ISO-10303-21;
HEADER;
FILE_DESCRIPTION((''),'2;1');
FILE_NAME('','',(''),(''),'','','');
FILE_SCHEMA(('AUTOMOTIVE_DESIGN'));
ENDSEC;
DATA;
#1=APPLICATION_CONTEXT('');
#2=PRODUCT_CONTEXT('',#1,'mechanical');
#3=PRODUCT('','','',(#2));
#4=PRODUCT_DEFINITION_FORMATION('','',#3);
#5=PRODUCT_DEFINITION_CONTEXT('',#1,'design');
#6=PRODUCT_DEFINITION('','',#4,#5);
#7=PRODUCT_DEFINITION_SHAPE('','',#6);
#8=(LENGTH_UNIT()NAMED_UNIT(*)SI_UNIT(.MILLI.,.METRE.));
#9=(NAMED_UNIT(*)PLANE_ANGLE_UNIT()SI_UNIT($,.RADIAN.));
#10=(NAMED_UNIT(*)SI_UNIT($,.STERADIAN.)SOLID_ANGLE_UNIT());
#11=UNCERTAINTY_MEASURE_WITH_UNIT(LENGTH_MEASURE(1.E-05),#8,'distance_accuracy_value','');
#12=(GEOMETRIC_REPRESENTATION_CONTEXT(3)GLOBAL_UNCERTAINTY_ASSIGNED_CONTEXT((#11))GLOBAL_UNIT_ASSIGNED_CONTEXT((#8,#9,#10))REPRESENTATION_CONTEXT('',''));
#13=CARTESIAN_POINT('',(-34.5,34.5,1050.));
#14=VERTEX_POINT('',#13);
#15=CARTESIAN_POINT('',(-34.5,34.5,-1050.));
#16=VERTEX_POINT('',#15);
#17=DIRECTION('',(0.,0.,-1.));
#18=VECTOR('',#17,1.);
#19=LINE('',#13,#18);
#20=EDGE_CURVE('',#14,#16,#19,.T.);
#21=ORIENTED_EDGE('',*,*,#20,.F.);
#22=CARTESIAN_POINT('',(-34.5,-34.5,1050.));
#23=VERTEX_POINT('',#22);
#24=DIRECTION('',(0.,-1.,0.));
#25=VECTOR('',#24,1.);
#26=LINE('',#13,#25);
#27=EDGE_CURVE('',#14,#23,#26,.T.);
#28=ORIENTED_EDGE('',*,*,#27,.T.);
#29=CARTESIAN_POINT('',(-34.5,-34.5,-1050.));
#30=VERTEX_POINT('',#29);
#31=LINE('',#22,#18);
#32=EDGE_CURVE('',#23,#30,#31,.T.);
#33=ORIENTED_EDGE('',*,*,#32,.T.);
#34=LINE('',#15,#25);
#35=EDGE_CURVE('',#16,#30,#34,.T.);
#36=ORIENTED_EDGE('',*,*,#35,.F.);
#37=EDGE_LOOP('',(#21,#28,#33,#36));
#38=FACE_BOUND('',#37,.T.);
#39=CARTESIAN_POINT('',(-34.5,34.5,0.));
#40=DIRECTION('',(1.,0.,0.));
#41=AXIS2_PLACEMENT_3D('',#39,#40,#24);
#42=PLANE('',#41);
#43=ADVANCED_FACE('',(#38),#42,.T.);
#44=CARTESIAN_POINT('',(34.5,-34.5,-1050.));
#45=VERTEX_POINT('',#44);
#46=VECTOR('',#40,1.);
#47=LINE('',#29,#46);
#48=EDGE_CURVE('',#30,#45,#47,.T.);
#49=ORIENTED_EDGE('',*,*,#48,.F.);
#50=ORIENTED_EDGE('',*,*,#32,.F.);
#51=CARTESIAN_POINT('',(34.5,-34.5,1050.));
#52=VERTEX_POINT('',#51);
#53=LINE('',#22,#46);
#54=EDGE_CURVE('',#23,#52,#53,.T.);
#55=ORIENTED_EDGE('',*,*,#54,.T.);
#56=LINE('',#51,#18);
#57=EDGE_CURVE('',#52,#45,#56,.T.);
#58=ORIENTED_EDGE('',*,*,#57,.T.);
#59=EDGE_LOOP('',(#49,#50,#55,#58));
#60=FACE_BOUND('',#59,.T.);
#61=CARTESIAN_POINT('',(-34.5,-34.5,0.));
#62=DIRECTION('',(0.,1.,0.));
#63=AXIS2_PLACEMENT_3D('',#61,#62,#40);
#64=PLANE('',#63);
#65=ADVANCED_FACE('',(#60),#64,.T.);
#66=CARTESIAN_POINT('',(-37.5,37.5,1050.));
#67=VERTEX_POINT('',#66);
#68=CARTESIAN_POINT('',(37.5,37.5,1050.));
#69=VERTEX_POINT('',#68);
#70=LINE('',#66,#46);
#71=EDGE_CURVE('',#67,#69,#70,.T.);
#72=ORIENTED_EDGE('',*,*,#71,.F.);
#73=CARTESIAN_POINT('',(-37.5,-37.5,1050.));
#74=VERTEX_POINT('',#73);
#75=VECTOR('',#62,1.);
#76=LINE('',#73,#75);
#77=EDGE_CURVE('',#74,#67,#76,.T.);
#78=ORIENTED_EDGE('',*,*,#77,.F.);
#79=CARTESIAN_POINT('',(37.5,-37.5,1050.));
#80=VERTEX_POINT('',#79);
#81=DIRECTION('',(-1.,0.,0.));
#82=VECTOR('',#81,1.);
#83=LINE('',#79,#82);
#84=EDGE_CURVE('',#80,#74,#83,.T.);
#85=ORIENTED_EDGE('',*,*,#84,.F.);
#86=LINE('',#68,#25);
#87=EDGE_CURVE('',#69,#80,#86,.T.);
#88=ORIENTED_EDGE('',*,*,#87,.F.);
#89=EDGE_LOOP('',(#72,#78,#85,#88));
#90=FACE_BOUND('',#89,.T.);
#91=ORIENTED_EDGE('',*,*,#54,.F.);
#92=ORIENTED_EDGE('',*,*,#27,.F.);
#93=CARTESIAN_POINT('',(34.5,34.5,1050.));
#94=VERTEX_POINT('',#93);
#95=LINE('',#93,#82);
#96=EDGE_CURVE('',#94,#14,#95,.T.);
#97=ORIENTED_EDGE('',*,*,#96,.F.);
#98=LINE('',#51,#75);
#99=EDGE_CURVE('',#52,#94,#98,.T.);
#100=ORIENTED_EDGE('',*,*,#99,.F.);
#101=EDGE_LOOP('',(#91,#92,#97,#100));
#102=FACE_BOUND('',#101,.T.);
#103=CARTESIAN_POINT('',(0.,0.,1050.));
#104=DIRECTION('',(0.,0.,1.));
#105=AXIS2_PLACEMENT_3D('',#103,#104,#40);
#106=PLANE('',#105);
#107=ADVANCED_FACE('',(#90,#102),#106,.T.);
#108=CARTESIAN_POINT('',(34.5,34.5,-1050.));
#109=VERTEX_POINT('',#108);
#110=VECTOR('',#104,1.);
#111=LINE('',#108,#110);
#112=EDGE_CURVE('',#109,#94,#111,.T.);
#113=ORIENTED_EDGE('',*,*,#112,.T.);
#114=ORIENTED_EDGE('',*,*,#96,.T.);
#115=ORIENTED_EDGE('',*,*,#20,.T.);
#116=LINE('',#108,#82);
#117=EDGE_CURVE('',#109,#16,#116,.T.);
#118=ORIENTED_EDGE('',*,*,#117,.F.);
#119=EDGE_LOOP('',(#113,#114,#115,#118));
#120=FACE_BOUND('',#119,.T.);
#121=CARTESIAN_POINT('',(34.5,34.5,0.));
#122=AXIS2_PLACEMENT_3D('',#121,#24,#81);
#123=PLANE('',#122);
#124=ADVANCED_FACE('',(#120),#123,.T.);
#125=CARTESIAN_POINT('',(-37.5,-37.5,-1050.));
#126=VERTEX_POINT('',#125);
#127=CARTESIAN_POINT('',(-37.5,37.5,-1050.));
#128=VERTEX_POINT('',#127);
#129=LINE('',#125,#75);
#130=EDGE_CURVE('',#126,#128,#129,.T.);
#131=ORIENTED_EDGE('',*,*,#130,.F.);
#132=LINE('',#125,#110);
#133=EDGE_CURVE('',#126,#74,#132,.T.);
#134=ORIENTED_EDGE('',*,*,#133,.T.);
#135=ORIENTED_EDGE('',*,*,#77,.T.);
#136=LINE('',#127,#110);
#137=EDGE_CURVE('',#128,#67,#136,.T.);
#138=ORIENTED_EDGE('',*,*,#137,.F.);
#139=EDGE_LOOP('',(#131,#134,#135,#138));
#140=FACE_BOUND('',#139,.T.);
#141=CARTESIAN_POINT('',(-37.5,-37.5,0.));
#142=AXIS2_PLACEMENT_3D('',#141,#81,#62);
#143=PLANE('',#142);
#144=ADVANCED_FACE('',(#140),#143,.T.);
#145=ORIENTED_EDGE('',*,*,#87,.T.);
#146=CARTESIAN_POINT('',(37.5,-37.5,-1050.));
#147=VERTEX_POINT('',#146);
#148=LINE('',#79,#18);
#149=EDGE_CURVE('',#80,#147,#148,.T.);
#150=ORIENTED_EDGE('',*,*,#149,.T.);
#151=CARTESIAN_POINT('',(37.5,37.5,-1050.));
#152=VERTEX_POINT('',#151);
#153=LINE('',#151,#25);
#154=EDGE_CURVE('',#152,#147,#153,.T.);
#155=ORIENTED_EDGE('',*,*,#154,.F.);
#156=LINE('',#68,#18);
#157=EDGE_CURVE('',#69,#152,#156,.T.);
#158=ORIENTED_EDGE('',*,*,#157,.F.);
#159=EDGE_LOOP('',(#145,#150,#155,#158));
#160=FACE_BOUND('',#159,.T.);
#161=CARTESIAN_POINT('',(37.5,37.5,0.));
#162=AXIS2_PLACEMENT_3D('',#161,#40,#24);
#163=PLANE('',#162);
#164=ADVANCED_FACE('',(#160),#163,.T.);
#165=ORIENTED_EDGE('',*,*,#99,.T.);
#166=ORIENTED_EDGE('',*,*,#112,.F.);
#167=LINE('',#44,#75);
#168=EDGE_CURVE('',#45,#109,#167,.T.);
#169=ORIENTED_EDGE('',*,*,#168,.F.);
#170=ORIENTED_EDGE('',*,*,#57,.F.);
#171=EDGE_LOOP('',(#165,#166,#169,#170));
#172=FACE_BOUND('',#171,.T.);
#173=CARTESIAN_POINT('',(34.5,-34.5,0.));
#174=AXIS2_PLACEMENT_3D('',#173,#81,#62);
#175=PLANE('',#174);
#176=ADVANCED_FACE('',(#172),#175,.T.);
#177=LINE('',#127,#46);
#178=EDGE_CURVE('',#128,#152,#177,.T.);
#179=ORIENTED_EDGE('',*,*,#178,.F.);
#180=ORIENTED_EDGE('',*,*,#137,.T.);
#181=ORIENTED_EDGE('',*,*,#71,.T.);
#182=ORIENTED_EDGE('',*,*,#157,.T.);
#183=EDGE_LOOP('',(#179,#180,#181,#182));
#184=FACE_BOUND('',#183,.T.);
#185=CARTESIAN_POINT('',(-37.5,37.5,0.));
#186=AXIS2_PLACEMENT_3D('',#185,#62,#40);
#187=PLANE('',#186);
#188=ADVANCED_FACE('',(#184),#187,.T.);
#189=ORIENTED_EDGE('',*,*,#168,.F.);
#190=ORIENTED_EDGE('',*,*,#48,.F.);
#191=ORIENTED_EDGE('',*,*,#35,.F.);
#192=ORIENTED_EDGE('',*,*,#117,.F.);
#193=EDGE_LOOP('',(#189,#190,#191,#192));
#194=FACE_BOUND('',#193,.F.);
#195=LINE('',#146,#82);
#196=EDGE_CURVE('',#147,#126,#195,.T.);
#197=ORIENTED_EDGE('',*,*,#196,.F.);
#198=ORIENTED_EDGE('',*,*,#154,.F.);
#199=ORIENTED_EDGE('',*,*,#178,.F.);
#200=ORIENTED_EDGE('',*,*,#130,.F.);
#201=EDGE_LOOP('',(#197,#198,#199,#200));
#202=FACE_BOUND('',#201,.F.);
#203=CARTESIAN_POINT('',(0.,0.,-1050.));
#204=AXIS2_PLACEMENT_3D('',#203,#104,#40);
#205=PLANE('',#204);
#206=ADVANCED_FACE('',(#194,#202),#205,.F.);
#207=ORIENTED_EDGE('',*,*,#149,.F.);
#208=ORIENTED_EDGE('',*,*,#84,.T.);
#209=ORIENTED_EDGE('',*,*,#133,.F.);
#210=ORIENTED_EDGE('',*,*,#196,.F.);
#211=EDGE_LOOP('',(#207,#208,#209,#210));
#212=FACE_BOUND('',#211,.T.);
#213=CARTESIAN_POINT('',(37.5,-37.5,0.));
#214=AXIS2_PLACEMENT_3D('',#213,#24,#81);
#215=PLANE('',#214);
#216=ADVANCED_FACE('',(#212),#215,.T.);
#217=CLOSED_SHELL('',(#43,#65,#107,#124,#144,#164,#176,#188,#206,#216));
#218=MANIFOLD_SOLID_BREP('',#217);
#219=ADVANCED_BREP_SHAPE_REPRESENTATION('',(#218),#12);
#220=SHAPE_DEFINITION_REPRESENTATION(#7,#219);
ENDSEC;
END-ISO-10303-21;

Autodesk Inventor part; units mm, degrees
ref_plane "YZ Plane" through (0, 0, 0) normal (1, 0, 0) x (0, 1, 0)
ref_plane "XZ Plane" through (0, 0, 0) normal (0, 1, 0) x (-1, 0, 0)
ref_plane "XY Plane" through (0, 0, 0) normal (0, 0, 1) x (1, 0, 0)
sketch "Boceto1" plane through (0, 0, 0) normal (0, 0, 1) x (1, 0, 0)
  line L0 (-37.5, 37.5) -> (37.5, 37.5)
  line L1 (37.5, 37.5) -> (37.5, -37.5)
  line L2 (37.5, -37.5) -> (-37.5, -37.5)
  line L3 (-37.5, -37.5) -> (-37.5, 37.5)
  line L4 (34.5, 34.5) -> (-34.5, 34.5)
  line L5 (-34.5, 34.5) -> (-34.5, -34.5)
  line L6 (-34.5, -34.5) -> (34.5, -34.5)
  line L7 (34.5, -34.5) -> (34.5, 34.5)
  point P0 (0, 0)
  dimension "d0" = 75
  dimension "d1" = 75
  dimension "d2" = 3
  dimension "d3" = 37.5
  dimension "d4" = 37.5
extrude "Extrusión1" add sketch "Boceto1" along normal mid plane 2100
equation "\"d0\" = width"
equation "\"d1\" = height"
equation "\"d2\" = t"
equation "\"d3\" = 0.5 * height"
equation "\"d4\" = 0.5 * width"
equation "\"d5\" = length"
equation "\"width\" = 75"
equation "\"height\" = 75"
equation "\"t\" = 3"
equation "\"length\" = 2100"
properties part number "210 STEEL PROFILE" material "Acero"
